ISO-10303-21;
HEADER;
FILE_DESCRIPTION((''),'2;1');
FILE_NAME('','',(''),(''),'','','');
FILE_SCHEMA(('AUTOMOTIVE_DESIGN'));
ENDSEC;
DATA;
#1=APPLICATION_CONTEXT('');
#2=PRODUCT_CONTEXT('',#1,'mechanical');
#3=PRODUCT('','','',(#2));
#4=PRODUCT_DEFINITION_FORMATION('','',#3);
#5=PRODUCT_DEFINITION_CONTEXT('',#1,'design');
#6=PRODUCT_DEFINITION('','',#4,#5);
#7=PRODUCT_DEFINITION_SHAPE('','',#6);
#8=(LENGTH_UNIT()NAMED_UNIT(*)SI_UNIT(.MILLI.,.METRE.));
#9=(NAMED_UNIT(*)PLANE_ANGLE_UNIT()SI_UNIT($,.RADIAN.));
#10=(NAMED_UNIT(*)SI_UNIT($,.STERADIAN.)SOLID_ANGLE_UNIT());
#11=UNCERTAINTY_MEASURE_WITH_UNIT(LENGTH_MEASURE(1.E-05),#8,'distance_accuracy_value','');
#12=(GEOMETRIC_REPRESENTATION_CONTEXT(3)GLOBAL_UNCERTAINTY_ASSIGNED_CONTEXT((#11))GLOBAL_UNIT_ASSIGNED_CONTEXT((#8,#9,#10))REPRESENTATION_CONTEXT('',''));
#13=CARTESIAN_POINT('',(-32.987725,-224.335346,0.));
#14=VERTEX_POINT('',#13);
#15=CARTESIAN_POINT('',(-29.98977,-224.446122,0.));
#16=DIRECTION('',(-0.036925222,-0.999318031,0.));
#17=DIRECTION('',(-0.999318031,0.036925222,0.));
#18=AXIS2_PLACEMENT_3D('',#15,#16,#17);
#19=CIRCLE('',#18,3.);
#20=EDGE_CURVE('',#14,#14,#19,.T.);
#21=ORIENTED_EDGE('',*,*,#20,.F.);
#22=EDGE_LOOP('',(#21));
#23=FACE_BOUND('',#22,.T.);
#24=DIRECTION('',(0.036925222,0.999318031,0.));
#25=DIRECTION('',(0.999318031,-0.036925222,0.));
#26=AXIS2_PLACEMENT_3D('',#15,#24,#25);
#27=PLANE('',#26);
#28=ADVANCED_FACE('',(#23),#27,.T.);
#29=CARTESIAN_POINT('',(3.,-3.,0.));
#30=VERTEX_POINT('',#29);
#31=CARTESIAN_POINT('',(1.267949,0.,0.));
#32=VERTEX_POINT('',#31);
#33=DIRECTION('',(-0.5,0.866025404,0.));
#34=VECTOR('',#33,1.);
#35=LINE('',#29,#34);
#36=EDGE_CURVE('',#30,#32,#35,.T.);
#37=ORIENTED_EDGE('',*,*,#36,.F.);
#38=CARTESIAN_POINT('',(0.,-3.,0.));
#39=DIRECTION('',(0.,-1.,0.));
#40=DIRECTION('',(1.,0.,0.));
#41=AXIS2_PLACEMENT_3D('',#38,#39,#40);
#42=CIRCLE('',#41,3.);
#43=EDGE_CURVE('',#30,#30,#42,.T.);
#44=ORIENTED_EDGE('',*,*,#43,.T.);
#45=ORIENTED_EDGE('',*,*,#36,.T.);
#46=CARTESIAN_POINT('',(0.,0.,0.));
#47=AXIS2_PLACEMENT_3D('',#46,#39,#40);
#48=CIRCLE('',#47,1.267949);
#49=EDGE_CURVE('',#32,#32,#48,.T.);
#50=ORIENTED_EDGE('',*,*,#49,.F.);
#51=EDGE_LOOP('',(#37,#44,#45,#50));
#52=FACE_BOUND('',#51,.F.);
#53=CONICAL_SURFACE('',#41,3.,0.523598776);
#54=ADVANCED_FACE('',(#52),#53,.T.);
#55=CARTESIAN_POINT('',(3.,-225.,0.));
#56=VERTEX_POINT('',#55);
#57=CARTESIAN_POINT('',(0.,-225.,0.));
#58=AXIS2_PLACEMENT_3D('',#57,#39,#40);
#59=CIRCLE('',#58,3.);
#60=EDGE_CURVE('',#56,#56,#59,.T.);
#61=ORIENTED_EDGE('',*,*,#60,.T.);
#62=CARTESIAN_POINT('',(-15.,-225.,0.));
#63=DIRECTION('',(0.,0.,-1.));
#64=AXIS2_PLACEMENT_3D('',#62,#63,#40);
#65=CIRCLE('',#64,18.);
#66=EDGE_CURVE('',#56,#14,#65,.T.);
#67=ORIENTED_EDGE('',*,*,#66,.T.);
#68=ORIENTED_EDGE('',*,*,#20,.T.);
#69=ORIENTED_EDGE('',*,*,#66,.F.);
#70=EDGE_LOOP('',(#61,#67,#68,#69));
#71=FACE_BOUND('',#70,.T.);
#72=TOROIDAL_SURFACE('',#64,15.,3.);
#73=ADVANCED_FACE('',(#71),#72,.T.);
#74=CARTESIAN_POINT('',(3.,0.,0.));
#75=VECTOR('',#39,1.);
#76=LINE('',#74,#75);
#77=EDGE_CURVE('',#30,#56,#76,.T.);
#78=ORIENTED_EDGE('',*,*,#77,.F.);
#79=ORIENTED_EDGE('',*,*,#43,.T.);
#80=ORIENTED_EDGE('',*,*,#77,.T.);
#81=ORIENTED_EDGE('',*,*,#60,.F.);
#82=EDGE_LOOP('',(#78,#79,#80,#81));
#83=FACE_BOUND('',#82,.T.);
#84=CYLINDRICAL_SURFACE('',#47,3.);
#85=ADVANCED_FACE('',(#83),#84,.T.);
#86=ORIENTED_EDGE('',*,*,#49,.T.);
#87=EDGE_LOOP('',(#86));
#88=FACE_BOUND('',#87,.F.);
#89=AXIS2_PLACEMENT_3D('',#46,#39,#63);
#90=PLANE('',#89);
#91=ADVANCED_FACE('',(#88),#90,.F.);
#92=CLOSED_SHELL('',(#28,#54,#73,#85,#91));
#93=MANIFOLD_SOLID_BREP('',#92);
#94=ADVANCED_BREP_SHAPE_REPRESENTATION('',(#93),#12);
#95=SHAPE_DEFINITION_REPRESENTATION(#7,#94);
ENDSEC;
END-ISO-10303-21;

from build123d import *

# Parameters (mm, degrees)
F1_R     = 3
F3_SIZE2 = 1.7320508076
F3_SIZE  = 3


with BuildPart() as f2:
    # F2: sweep along a path in F0
    with BuildLine(Plane.XY) as f2_path:
        Line((0, 0), (0, -225))
        ThreePointArc((0, -225), (-15.2769863919, -239.9974423999), (-29.9897704718, -224.4461216722))
    # F1 (on Front) → F2 (sweep)
    with BuildSketch(Plane.XZ):
        Circle(F1_R)
    sweep(path=f2_path.line)

    # F3
    f3_edges = [f2.edges().sort_by_distance(p)[0] for p in [
        (-3, 0, 0),
    ]]
    chamfer(f3_edges, length=F3_SIZE, length2=F3_SIZE2)


solid = f2.part
